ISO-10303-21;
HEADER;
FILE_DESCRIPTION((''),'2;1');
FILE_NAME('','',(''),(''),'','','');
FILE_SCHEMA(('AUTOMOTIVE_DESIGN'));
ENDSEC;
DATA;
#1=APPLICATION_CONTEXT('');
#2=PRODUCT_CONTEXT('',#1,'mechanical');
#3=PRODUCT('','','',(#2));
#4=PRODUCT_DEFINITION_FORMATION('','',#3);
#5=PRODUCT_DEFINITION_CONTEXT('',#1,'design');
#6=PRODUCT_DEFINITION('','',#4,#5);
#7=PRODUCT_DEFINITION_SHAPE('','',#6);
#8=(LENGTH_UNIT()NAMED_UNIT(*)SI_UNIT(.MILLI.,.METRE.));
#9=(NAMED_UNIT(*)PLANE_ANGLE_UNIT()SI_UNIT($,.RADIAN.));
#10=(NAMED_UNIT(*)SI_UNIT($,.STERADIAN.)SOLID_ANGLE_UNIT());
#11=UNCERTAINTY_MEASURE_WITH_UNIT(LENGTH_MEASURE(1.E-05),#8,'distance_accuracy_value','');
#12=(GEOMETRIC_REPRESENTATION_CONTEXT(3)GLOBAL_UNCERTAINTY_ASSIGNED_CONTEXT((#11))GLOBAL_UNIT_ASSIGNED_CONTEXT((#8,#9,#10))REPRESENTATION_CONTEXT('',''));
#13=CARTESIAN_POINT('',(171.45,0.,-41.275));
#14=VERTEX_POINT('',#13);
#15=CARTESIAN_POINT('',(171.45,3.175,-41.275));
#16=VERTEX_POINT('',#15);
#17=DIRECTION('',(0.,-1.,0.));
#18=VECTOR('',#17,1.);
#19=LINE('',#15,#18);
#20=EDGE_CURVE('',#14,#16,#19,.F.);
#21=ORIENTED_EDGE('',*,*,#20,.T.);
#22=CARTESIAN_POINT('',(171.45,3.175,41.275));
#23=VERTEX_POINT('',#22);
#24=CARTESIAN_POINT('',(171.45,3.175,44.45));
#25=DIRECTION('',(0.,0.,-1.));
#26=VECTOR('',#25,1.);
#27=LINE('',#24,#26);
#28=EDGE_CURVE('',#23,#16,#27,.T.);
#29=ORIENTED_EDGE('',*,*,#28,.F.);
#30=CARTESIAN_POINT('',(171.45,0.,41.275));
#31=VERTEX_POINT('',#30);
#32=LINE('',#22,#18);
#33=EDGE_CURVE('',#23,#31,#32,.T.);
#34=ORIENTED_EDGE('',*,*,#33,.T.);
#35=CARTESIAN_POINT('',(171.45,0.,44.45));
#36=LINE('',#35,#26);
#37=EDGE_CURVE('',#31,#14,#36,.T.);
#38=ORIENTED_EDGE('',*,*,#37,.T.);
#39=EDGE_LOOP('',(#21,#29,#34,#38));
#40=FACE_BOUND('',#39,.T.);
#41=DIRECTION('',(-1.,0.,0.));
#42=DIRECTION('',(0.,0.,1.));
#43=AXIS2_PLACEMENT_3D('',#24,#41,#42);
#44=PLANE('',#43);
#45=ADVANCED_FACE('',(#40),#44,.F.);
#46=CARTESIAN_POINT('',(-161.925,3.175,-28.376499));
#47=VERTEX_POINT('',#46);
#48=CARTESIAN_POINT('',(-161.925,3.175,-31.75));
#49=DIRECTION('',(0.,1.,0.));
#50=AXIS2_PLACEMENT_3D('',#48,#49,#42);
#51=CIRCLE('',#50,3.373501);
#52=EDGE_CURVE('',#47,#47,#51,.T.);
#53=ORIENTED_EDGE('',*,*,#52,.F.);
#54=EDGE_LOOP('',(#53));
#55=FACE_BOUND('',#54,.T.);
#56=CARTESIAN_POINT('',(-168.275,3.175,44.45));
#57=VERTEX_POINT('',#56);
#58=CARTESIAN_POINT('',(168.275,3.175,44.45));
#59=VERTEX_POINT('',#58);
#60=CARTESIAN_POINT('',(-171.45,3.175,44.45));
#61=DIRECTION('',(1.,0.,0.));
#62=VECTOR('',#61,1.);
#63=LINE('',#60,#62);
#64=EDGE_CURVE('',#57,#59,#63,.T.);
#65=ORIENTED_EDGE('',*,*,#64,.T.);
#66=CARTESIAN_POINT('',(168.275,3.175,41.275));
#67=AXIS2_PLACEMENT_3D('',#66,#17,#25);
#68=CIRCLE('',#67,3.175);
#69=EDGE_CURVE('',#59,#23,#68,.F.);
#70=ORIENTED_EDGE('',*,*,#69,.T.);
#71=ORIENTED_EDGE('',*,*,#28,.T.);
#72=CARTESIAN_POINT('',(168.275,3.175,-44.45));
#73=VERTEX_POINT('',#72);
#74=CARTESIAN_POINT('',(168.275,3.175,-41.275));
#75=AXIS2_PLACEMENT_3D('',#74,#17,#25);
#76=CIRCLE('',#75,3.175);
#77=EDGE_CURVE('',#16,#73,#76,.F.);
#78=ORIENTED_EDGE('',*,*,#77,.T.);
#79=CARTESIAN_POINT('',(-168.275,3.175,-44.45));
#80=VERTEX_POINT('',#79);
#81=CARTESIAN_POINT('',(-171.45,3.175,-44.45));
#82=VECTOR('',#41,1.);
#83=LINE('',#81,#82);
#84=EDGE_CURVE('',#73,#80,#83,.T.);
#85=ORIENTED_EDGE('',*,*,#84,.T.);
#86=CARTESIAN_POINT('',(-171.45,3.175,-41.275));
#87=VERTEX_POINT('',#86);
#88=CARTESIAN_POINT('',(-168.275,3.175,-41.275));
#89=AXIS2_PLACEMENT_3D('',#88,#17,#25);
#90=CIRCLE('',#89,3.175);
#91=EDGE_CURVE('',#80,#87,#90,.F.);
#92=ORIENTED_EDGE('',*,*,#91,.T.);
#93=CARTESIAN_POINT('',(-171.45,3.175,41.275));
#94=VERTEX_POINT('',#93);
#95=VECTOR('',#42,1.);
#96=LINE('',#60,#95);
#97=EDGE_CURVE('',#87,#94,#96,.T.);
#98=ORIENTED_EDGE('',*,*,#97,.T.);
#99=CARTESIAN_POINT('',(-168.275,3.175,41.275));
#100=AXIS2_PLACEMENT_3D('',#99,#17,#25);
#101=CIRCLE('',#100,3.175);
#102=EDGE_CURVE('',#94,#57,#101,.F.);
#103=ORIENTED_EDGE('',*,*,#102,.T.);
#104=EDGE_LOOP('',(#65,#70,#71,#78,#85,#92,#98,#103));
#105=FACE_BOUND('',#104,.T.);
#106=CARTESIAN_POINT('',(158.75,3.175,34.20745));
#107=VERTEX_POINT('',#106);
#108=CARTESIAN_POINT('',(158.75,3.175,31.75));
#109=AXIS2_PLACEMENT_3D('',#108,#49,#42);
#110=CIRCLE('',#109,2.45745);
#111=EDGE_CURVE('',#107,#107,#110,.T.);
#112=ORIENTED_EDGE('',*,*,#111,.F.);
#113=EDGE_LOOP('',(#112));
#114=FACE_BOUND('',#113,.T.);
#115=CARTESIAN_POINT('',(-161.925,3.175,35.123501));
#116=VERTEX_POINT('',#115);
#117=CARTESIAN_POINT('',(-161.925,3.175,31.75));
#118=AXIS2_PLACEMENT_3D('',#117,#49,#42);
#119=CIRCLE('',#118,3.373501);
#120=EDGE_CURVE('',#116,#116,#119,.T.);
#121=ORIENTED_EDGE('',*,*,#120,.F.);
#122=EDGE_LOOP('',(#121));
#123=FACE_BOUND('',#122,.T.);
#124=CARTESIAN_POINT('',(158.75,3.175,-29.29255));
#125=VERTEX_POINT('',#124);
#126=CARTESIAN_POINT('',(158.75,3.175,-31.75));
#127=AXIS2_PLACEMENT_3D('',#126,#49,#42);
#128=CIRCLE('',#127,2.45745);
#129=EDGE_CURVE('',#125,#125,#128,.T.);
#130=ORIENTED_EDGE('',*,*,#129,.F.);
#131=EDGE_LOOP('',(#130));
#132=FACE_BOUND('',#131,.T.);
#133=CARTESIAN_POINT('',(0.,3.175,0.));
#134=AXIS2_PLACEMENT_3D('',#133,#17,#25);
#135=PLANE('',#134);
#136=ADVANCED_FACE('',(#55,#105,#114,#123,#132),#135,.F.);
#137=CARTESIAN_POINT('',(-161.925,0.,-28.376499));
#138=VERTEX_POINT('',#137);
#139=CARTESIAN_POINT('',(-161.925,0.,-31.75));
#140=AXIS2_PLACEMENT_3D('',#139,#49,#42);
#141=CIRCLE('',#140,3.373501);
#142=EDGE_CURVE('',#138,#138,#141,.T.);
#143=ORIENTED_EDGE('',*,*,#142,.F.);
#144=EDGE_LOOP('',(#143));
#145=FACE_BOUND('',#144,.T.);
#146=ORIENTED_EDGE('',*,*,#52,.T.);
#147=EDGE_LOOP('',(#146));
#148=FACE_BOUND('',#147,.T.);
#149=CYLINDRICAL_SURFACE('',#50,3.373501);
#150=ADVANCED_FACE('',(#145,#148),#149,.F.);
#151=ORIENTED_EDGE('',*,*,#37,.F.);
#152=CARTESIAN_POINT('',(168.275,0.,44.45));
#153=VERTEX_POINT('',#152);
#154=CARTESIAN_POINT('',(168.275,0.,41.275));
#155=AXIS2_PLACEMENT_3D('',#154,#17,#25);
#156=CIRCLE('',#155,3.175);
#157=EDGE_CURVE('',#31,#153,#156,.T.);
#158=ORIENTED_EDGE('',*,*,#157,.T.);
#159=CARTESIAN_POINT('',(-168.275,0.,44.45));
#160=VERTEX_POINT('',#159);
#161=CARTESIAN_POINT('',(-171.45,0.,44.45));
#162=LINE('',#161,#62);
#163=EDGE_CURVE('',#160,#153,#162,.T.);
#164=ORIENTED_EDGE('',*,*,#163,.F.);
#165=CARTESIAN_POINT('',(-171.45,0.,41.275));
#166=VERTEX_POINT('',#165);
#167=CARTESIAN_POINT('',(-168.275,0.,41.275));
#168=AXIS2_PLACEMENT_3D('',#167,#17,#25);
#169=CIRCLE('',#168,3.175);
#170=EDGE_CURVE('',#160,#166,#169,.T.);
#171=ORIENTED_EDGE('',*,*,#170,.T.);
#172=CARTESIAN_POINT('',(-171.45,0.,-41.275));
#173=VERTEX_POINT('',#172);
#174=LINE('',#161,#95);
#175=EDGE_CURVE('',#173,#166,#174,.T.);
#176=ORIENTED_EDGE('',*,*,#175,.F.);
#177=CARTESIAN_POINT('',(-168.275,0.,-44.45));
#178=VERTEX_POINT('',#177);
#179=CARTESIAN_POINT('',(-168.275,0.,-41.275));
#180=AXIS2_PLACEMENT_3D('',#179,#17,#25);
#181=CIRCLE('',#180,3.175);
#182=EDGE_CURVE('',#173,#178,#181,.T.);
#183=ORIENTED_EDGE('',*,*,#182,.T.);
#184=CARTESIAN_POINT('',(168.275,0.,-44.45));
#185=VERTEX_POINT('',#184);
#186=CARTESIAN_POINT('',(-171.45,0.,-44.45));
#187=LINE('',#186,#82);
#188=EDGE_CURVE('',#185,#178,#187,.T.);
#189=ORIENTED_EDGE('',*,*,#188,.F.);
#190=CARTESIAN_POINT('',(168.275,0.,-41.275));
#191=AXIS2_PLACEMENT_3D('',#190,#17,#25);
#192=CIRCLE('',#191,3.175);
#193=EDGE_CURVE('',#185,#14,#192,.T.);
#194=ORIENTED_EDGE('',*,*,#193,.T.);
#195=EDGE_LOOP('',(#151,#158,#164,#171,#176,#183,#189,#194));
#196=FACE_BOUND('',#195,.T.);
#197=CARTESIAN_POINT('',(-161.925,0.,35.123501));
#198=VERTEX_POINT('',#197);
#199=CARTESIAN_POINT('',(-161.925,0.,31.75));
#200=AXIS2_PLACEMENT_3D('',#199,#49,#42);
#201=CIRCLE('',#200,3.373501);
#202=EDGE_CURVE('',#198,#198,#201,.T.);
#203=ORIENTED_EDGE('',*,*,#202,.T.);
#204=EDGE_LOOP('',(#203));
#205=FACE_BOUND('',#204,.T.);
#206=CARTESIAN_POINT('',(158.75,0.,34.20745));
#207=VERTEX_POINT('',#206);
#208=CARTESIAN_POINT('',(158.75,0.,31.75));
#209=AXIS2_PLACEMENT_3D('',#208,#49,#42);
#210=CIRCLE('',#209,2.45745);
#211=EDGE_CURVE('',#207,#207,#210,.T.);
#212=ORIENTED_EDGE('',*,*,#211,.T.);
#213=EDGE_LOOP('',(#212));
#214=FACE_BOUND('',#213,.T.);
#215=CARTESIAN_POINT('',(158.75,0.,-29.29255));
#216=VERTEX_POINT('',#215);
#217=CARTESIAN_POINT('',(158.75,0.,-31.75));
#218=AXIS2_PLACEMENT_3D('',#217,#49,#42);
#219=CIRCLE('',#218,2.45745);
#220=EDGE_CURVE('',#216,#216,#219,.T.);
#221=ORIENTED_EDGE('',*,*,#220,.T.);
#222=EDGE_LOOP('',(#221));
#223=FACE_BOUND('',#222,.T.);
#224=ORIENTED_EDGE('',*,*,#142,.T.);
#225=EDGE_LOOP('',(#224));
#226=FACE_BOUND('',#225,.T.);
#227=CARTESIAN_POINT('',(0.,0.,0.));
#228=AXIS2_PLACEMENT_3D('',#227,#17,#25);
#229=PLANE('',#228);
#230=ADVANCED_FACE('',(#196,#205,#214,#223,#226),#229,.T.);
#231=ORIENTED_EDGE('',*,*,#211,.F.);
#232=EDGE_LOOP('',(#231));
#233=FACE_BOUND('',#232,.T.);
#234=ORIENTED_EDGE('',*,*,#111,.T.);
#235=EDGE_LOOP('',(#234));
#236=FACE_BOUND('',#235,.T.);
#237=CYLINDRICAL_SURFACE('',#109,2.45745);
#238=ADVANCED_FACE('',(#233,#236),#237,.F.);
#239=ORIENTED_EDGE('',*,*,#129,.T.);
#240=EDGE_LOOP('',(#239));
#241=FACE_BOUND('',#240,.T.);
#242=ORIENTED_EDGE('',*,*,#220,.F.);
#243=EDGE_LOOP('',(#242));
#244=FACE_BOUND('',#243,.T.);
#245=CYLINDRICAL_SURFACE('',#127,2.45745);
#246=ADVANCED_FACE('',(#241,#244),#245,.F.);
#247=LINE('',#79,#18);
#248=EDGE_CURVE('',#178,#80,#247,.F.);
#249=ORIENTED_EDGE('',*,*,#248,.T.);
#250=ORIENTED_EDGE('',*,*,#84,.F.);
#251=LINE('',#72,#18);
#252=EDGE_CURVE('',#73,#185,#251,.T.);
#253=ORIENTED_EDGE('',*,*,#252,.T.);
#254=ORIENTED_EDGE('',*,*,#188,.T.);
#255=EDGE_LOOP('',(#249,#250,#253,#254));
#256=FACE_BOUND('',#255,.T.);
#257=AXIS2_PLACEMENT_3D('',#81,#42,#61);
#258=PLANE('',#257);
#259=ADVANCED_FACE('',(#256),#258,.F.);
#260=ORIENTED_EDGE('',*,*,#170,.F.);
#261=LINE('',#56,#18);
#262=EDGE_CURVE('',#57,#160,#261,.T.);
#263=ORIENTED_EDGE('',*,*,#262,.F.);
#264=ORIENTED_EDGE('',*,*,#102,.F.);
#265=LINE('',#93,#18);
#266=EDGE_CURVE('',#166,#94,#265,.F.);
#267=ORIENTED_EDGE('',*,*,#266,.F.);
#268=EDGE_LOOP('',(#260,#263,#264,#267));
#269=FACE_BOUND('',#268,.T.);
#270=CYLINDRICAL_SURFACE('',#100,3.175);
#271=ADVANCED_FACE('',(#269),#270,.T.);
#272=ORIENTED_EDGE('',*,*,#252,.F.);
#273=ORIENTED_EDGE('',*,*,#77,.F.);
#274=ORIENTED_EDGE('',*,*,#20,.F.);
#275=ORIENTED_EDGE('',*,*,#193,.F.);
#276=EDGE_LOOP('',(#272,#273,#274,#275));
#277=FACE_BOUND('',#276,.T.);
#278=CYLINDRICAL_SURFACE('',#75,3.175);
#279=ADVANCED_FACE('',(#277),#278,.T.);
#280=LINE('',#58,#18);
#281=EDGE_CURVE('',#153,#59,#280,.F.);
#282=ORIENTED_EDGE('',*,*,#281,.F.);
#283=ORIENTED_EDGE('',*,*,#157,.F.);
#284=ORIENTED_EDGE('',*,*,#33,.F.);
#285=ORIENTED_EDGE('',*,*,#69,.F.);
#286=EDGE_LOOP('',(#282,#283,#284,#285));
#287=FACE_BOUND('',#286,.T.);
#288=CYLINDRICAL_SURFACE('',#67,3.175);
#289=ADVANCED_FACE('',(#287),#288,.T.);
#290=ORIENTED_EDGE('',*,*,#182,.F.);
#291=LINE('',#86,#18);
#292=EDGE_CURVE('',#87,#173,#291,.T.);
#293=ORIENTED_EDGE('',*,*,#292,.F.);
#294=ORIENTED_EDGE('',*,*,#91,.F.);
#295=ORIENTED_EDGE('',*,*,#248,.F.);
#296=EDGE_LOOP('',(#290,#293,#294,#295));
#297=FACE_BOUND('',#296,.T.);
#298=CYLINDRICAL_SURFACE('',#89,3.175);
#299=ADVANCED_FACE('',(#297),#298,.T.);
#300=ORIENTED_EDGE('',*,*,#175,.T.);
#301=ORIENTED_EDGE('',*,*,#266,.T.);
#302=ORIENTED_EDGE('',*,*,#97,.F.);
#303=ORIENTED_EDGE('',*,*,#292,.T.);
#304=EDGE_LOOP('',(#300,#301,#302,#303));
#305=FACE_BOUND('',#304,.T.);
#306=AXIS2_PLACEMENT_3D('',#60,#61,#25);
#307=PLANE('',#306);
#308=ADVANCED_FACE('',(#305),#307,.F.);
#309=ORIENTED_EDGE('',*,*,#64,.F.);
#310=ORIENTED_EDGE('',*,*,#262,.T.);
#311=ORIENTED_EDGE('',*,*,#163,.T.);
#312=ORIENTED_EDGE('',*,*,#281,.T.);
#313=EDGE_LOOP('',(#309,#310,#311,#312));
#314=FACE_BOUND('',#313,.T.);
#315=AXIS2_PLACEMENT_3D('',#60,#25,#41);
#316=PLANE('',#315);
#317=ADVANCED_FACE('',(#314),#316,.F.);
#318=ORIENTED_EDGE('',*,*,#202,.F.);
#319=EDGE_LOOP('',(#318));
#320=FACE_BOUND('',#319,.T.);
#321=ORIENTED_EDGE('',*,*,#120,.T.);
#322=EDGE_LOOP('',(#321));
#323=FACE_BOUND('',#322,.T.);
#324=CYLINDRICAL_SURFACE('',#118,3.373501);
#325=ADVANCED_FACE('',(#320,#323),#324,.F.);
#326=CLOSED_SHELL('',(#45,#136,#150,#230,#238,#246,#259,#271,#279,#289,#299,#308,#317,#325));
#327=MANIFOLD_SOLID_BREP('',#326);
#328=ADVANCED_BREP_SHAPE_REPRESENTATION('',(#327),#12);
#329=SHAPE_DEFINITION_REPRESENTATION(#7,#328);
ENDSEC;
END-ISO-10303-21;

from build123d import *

# Parameters (mm, degrees)
SKETCH1_W                        = 342.9
SKETCH1_H                        = 88.9
BOSS_EXTRUDE1_DEPTH              = 3.175
F_17_64_0_26563_DIAMETER_HOLE1_D = 6.747002
F_10_0_1935_DIAMETER_HOLE1_D     = 4.9149
FILLET1_R                        = 3.175


with BuildPart() as part:
    # Sketch1 → Boss-Extrude1 (new body)
    with BuildSketch(Plane(origin=(0, 0, 0), x_dir=(1, 0, 0), z_dir=(0, 1, 0))):
        Rectangle(SKETCH1_W, SKETCH1_H)
    extrude(amount=BOSS_EXTRUDE1_DEPTH)

    # 17/64 (0.26563) Diameter Hole1 (through all)
    with Locations(Plane(origin=(0, 3.175, 0), x_dir=(1, 0, 0), z_dir=(0, 1, 0))):
        with Locations((-161.925, 31.75), (-161.925, -31.75)):
            Hole(F_17_64_0_26563_DIAMETER_HOLE1_D / 2)

    # #10 (0.1935) Diameter Hole1 (through all)
    with Locations(Plane(origin=(0, 3.175, 0), x_dir=(1, 0, 0), z_dir=(0, 1, 0))):
        with Locations((158.75, 31.75), (158.75, -31.75)):
            Hole(F_10_0_1935_DIAMETER_HOLE1_D / 2)

    # Fillet1
    fillet1_edges = [part.edges().sort_by_distance(p)[0] for p in [
        (171.45, 1.5875, 44.45),
        (-171.45, 1.5875, 44.45),
        (-171.45, 1.5875, -44.45),
        (171.45, 1.5875, -44.45),
    ]]
    fillet(fillet1_edges, radius=FILLET1_R)


solid = part.part
